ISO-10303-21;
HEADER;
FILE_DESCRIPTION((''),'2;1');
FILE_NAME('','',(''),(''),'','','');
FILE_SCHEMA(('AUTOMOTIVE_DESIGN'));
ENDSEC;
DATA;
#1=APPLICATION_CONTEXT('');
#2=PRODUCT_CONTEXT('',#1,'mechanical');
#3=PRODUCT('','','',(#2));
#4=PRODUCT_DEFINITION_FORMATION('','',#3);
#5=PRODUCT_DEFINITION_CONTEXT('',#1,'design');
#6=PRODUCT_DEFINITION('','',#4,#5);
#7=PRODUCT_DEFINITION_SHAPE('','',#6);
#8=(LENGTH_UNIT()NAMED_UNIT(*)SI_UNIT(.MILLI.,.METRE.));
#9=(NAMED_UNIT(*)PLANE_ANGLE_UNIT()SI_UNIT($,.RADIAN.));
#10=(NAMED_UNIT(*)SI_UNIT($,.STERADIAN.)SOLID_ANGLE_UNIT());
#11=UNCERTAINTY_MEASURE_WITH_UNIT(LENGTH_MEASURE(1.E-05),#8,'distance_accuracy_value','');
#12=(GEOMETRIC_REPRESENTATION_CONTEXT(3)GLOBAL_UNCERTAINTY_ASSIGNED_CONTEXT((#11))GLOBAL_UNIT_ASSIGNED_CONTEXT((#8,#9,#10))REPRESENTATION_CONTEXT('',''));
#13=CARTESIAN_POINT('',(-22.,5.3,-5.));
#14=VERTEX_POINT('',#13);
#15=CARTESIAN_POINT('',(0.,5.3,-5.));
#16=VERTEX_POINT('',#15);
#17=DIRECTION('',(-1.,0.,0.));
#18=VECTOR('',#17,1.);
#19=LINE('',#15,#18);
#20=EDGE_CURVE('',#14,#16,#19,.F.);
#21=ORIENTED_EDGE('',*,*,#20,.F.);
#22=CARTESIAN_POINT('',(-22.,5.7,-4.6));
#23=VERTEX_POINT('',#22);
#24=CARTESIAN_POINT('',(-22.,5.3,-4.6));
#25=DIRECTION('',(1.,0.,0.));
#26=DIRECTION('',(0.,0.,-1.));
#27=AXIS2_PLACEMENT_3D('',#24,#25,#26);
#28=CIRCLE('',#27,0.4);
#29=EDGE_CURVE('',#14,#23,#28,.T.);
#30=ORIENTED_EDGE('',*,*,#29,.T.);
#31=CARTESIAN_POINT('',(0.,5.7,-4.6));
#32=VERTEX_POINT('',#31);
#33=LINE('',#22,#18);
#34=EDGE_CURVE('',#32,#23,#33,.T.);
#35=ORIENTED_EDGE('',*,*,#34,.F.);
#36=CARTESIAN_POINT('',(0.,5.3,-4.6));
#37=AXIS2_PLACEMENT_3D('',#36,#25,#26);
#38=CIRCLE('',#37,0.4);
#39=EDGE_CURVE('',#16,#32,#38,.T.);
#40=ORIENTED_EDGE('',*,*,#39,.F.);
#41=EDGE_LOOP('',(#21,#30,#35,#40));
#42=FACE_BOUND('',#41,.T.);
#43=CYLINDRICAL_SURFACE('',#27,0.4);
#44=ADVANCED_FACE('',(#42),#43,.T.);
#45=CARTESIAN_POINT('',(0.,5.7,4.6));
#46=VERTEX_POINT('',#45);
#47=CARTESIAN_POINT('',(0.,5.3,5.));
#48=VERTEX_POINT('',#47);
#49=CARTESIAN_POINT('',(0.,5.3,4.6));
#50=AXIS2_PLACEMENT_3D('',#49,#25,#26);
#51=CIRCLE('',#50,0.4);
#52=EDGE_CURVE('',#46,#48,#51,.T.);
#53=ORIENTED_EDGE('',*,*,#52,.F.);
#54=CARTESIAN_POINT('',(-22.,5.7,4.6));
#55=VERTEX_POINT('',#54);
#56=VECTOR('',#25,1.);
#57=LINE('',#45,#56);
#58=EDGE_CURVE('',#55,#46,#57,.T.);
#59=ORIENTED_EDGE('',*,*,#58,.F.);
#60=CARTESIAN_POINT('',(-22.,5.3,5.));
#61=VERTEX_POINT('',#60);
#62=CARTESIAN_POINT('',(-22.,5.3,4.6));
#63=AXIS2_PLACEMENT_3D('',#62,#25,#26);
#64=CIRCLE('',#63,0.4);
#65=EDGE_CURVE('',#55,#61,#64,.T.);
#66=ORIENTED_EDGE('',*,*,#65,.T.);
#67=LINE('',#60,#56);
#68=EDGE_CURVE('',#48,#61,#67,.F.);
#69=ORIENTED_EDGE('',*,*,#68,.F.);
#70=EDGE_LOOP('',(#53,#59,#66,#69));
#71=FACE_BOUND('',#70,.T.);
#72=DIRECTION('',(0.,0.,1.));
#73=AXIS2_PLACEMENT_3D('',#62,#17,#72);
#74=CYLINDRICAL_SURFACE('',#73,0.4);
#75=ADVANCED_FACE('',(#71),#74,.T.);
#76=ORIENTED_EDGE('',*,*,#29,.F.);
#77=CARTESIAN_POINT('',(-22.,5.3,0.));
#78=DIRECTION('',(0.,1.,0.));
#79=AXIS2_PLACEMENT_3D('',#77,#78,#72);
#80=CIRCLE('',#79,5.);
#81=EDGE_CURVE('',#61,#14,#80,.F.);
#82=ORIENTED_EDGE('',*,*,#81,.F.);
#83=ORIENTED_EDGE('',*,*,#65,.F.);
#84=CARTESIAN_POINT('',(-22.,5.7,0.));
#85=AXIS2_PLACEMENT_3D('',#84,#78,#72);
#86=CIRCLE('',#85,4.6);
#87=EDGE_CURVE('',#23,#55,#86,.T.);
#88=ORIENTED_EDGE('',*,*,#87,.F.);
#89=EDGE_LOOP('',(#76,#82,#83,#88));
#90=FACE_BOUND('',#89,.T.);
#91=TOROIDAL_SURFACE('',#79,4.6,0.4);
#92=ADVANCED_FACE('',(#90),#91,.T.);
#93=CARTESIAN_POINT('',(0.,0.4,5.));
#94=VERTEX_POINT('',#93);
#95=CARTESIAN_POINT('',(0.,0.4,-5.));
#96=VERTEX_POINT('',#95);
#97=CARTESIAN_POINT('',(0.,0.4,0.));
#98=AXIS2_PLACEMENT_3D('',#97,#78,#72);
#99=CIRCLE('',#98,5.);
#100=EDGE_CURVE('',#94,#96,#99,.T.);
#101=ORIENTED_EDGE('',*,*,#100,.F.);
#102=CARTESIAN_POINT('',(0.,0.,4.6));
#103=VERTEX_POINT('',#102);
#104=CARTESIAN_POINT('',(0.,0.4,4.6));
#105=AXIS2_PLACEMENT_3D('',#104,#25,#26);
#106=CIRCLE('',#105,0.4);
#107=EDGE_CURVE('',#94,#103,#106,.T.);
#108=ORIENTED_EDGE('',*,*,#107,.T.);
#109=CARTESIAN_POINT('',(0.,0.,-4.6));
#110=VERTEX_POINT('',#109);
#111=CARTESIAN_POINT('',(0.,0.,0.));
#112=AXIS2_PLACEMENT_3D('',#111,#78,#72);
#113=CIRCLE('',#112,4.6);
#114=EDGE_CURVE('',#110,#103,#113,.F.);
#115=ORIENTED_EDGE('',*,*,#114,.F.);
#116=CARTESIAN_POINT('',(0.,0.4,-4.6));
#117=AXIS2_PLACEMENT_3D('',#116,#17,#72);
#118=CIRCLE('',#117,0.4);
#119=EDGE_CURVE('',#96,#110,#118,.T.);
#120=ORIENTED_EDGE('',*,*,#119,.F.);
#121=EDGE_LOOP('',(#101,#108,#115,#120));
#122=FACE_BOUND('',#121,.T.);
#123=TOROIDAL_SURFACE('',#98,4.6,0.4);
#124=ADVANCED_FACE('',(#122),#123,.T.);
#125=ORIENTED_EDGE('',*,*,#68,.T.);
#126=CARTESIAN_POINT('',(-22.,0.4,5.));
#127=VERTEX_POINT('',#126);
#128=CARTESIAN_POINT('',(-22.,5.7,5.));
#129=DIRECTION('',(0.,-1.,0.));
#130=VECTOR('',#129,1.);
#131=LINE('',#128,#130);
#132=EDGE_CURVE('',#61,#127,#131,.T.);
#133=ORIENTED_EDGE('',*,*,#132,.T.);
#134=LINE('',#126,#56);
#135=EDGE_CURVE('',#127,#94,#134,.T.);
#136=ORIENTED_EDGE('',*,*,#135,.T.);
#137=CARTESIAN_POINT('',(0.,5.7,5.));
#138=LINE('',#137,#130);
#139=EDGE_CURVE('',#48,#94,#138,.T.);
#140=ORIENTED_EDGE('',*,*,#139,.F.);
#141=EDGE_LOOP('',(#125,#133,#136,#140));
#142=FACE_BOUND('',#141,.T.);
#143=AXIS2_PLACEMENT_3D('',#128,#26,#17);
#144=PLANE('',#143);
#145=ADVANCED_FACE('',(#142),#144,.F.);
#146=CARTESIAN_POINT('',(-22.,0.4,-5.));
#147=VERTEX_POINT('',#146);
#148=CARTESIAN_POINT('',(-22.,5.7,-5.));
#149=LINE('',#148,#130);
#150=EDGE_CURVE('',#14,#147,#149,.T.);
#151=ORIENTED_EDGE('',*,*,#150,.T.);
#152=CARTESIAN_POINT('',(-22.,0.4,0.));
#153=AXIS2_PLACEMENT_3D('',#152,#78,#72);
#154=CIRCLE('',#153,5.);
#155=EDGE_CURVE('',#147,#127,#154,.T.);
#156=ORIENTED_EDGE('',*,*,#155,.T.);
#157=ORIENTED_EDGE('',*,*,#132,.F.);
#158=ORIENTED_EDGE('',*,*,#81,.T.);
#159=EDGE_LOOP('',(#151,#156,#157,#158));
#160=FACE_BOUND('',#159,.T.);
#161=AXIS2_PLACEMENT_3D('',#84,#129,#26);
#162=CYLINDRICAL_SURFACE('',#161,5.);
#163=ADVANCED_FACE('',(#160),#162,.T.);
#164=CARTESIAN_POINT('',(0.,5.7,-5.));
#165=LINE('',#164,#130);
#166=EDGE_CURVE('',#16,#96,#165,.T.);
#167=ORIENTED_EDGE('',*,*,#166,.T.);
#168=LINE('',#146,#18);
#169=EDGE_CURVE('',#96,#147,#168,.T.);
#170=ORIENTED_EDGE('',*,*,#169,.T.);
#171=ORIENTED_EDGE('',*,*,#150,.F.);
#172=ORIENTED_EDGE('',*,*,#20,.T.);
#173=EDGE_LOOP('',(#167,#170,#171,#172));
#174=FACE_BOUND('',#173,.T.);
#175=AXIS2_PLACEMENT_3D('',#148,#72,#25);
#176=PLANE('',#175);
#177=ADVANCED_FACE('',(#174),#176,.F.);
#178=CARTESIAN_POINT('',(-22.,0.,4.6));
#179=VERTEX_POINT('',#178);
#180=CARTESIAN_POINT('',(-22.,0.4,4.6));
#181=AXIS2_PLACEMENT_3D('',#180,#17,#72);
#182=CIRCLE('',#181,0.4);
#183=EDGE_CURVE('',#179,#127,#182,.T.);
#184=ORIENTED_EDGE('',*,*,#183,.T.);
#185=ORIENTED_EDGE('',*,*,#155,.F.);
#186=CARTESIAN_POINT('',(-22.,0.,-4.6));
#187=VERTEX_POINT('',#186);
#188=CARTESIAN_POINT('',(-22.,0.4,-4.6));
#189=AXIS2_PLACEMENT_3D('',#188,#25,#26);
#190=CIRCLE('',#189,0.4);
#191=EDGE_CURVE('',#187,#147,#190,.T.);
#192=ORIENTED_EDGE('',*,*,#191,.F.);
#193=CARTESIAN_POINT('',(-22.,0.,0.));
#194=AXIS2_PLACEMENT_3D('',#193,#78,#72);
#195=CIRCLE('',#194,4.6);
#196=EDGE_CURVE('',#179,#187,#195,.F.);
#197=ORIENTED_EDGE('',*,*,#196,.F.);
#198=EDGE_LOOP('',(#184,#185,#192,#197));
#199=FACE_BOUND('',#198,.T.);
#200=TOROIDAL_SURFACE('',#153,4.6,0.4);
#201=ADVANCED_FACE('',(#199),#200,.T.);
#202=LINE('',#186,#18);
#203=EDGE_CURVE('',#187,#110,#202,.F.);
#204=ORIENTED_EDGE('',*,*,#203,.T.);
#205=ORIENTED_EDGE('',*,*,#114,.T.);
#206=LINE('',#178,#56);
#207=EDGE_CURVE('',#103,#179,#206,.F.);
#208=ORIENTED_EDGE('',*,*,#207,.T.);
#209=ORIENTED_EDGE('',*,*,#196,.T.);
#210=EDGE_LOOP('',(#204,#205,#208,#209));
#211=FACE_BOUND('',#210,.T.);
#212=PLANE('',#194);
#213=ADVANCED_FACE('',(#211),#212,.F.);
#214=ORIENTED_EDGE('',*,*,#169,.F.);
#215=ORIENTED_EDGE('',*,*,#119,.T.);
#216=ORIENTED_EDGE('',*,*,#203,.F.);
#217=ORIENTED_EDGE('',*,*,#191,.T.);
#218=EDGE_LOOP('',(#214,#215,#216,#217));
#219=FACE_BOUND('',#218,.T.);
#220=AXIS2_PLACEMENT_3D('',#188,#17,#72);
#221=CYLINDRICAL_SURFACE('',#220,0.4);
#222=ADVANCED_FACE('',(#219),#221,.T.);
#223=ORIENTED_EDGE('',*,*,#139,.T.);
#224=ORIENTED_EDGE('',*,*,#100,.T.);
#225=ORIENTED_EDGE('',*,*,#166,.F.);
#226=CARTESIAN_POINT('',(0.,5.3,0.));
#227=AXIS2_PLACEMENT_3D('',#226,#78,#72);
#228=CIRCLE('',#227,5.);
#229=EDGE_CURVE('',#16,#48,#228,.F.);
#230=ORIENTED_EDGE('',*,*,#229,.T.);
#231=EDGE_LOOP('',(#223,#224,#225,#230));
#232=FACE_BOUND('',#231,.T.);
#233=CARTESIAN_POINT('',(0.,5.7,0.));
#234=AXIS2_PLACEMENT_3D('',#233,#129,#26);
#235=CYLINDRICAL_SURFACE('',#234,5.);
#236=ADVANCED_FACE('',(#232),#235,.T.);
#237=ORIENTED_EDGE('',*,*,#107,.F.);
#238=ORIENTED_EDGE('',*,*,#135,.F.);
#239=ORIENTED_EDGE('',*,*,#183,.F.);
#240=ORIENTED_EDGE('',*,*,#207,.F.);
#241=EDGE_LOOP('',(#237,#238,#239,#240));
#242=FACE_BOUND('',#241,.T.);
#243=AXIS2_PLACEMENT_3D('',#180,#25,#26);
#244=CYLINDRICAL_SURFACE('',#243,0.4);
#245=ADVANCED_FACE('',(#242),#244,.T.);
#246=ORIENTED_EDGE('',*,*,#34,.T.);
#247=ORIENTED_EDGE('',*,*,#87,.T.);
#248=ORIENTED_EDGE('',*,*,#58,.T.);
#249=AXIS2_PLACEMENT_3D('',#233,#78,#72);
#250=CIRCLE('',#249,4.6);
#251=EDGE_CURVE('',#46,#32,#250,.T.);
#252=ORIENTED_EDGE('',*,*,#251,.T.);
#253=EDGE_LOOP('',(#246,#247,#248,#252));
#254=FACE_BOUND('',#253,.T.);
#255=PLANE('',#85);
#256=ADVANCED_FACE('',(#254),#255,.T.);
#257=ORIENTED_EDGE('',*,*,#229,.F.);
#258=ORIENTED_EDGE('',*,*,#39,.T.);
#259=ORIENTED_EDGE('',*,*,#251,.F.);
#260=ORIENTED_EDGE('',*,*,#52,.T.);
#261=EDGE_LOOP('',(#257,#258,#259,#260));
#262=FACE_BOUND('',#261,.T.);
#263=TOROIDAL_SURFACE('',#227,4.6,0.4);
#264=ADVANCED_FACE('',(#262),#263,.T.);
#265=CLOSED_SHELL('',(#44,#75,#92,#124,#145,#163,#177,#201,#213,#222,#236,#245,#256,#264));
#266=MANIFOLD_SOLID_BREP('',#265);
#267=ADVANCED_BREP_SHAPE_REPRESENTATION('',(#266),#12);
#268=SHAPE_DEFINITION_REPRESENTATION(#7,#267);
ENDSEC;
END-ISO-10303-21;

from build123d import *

# Parameters (mm, degrees)
EXTRUDE1_DEPTH = 5.7
FILLET1_R      = 0.4


with BuildPart() as part:
    # Sketch1 → Extrude1 (new body)
    with BuildSketch(Plane(origin=(0, 0, 0), x_dir=(1, 0, 0), z_dir=(0, 1, 0))):
        with BuildLine():
            Line((-22, 5), (0, 5))
            ThreePointArc((0, 5), (5, 0), (0, -5))
            Line((0, -5), (-22, -5))
            ThreePointArc((-22, -5), (-27, 0), (-22, 5))
        make_face()
    extrude(amount=EXTRUDE1_DEPTH)

    # Fillet1
    fillet1_edges = [part.edges().sort_by_distance(p)[0] for p in [
        (5, 5.7, 0),
        (-11, 5.7, -5),
        (-27, 5.7, 0),
        (-11, 0, -5),
        (5, 0, 0),
        (-11, 0, 5),
        (-27, 0, 0),
        (-11, 5.7, 5),
    ]]
    fillet(fillet1_edges, radius=FILLET1_R)


solid = part.part
